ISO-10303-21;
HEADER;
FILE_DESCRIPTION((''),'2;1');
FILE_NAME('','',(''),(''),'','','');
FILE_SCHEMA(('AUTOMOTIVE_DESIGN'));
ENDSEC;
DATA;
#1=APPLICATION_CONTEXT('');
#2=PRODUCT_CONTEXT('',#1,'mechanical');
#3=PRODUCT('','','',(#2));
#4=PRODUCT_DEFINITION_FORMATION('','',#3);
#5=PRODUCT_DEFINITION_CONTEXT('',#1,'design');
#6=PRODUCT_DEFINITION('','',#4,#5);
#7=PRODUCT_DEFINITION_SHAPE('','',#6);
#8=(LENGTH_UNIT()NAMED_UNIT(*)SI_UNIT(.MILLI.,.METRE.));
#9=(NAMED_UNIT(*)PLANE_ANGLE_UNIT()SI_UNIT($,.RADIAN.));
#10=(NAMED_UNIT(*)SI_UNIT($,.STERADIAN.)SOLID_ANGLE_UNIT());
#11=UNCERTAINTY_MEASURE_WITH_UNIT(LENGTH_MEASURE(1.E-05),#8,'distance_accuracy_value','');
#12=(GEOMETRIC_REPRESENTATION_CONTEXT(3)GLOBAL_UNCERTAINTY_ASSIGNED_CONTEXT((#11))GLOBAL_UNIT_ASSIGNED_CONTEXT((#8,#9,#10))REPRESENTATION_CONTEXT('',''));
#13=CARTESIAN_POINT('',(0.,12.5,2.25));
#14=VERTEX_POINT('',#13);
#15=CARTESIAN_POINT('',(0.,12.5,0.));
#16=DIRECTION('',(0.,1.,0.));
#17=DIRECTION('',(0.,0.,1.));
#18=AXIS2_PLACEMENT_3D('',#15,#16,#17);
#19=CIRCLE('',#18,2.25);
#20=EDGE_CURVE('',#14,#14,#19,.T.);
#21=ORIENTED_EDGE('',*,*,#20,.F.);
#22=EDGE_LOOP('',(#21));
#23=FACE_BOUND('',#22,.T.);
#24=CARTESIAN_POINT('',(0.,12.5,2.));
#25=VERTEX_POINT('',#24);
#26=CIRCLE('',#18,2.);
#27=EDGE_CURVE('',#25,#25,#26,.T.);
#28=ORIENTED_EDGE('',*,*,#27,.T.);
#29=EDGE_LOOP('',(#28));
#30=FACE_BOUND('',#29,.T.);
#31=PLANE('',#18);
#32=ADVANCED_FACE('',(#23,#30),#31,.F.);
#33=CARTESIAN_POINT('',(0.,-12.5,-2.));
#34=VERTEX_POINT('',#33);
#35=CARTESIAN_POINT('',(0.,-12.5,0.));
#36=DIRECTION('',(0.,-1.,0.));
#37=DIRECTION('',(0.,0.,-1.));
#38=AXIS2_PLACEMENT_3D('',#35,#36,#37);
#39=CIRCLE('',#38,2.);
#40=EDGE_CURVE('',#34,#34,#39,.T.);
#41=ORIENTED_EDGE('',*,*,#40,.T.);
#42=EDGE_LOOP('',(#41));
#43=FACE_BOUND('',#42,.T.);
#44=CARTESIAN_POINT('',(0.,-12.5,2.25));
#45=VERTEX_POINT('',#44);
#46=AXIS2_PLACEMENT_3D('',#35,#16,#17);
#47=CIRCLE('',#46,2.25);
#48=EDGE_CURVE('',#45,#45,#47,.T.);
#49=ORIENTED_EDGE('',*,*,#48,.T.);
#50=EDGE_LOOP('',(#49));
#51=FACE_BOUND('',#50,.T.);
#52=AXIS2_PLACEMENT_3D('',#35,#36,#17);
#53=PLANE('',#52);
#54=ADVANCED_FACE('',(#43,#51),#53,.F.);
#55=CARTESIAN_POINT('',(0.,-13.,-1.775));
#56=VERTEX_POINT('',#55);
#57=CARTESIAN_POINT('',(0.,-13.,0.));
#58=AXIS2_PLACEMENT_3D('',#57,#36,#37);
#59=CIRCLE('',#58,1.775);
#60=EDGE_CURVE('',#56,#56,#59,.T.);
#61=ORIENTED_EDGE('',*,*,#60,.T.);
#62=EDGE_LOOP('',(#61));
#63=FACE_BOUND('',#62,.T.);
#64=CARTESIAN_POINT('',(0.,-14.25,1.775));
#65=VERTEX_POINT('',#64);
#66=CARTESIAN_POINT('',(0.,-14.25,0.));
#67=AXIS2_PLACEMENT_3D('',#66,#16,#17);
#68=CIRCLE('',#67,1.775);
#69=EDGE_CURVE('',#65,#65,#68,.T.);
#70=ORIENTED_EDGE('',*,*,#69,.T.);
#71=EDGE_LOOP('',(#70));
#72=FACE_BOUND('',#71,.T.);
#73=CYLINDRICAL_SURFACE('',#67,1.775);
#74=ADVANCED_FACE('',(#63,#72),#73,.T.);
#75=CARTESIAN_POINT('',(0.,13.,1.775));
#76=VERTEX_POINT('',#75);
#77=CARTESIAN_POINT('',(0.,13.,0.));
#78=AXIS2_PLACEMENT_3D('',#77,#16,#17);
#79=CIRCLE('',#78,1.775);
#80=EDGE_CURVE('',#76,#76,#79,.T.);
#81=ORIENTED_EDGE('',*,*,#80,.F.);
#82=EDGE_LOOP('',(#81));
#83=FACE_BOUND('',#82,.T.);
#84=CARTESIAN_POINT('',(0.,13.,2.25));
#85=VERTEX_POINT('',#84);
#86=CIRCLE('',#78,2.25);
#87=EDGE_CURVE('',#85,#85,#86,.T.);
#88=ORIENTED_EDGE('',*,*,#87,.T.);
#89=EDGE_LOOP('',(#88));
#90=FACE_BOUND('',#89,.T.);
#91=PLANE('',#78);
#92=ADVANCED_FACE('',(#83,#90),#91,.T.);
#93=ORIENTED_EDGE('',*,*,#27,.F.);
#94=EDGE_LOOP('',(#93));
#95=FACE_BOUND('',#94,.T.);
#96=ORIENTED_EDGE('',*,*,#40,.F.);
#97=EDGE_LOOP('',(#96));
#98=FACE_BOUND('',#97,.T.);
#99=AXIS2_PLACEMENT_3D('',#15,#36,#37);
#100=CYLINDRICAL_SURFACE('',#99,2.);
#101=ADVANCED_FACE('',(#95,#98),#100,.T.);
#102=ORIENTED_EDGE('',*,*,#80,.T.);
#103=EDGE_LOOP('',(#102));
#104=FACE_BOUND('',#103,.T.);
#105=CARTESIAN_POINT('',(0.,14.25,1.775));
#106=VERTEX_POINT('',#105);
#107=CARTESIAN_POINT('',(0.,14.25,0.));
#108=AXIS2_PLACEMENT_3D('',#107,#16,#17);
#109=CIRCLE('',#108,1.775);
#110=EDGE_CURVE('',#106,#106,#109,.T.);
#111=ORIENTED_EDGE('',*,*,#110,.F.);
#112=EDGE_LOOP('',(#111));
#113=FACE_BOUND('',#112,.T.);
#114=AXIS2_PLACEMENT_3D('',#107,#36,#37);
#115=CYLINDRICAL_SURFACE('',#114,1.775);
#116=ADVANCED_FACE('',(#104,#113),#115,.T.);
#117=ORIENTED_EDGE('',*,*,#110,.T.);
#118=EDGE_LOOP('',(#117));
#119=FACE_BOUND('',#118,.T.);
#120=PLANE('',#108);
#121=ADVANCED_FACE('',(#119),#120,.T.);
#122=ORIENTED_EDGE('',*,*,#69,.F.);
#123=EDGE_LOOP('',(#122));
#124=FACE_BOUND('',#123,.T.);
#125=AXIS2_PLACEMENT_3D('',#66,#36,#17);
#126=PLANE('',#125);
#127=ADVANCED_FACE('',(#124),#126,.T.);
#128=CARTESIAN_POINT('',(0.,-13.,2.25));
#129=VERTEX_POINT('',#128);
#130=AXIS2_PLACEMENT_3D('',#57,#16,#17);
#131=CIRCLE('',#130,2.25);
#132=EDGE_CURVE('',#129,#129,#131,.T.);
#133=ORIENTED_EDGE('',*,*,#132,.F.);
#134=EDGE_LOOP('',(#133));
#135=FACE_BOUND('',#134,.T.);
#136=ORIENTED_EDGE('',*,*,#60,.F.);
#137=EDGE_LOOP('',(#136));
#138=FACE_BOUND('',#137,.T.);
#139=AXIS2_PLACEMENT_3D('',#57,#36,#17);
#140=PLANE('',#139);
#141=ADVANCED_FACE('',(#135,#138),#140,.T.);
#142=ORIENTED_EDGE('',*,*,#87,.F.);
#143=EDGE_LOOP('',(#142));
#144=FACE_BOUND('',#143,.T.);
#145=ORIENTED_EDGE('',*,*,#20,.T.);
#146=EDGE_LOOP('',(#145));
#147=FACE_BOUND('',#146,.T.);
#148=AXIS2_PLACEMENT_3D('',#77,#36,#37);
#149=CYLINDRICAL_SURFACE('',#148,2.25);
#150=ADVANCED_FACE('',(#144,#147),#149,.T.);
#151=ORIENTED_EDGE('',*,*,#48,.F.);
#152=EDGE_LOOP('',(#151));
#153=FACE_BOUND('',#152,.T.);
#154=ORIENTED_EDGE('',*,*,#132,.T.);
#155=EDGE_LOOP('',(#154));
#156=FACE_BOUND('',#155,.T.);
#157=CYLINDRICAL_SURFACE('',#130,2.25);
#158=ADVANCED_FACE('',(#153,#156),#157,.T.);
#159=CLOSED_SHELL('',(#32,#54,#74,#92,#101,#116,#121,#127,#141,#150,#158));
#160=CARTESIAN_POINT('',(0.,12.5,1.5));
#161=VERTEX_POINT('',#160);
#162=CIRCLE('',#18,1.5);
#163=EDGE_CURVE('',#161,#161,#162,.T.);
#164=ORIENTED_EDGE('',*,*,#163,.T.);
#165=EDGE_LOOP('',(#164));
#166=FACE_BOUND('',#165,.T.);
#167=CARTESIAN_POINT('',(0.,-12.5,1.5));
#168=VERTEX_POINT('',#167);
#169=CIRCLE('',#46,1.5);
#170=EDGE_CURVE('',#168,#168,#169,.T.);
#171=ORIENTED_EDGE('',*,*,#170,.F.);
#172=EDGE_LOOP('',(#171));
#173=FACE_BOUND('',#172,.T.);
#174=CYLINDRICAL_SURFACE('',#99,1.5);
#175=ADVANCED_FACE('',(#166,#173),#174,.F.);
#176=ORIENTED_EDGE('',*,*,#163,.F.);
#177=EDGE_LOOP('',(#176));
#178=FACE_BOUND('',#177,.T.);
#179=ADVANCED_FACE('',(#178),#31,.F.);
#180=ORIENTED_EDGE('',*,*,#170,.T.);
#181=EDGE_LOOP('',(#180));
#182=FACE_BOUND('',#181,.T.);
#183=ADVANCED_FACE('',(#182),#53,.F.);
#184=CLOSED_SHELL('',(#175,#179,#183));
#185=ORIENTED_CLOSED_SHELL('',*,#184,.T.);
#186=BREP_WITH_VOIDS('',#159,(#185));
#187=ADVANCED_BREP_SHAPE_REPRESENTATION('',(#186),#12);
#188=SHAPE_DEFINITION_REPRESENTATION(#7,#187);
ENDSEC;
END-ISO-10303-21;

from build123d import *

# Parameters (mm, degrees)
SKETCH_1_R      = 2
SKETCH_1_R_2    = 1.5
EXTRUDE_1_DEPTH = 12.5
SKETCH_2_R      = 2.25
EXTRUDE_2_DEPTH = 0.5
SKETCH_3_R      = 1.775
EXTRUDE_3_DEPTH = 1.25


with BuildPart() as part:
    # 스케치1 → 보스-돌출1 (new body, symmetric)
    with BuildSketch(Plane(origin=(0, 0, 0), x_dir=(1, 0, 0), z_dir=(0, 1, 0))):
        Circle(SKETCH_1_R)
        Circle(SKETCH_1_R_2, mode=Mode.SUBTRACT)
    extrude(amount=EXTRUDE_1_DEPTH, both=True)

    # 스케치2 → 보스-돌출2 (add)
    with BuildSketch(Plane(origin=(0, 12.5, 0), x_dir=(1, 0, 0), z_dir=(0, 1, 0))):
        Circle(SKETCH_2_R)
    extrude_2 = extrude(amount=EXTRUDE_2_DEPTH)

    # 스케치3 → 보스-돌출3 (add)
    with BuildSketch(Plane(origin=(0, 13, 0), x_dir=(1, 0, 0), z_dir=(0, 1, 0))):
        Circle(SKETCH_3_R)
    extrude_3 = extrude(amount=EXTRUDE_3_DEPTH)

    # 대칭 복사1: 보스-돌출2, 보스-돌출3 across plane
    add(extrude_2.mirror(Plane.ZX))
    add(extrude_3.mirror(Plane.ZX))


solid = part.part
